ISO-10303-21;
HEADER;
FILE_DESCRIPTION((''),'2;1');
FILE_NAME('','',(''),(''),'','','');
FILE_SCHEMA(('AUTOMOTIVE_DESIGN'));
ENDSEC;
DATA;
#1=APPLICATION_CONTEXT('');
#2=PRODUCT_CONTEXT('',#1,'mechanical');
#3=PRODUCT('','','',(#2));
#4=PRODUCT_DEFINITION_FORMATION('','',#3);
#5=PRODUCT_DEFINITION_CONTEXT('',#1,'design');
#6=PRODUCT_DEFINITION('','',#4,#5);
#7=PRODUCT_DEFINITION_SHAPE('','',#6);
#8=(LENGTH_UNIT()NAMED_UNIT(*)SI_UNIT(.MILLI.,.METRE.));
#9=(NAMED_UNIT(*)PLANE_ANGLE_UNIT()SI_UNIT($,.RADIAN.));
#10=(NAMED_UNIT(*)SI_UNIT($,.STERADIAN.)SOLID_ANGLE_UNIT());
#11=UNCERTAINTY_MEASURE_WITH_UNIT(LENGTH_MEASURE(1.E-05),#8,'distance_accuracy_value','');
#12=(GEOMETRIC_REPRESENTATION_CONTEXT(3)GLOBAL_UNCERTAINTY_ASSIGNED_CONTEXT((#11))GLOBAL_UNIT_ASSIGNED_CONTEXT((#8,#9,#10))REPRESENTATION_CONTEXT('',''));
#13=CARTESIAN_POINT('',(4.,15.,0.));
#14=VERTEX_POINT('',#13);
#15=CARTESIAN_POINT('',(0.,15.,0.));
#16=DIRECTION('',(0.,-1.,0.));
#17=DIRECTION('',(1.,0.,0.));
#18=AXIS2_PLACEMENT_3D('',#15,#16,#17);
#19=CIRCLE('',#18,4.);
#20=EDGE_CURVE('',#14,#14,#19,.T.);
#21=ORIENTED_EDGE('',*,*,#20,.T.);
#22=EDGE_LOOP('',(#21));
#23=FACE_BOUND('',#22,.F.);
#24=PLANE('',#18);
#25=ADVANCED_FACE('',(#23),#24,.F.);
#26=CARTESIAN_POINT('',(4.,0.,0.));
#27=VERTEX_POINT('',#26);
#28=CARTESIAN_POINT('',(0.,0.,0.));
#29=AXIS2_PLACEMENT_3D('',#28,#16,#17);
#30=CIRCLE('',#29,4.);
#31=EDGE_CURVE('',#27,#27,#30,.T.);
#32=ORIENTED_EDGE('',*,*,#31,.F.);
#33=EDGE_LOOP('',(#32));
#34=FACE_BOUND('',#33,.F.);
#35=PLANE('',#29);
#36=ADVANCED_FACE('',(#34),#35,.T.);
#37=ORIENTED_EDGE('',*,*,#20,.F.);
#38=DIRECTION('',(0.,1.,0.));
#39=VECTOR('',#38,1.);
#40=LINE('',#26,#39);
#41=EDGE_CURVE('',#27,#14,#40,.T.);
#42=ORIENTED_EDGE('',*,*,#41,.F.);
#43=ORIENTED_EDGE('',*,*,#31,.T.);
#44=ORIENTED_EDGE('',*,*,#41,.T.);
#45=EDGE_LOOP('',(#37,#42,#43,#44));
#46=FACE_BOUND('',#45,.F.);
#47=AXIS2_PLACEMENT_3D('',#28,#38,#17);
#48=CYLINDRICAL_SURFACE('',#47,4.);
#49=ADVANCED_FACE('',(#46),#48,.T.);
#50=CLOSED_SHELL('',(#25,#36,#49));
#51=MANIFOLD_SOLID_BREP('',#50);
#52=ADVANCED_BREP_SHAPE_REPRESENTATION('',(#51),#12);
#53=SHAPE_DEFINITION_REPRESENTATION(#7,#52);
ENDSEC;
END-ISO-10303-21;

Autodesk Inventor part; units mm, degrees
ref_plane "YZ Plane" through (0, 0, 0) normal (1, 0, 0) x (0, 1, 0)
ref_plane "XZ Plane" through (0, 0, 0) normal (0, 1, 0) x (-1, 0, 0)
ref_plane "XY Plane" through (0, 0, 0) normal (0, 0, 1) x (1, 0, 0)
sketch "Sketch1" plane through (0, 0, 0) normal (0, 0, 1) x (1, 0, 0)
  line L0 (0, 0) -> (4, 0)
  line L1 (4, 0) -> (4, 15)
  line L2 (4, 15) -> (0, 15)
  line L3 (0, 15) -> (0, 0)
  dimension "d0" = 8
  dimension "d1" = 15
revolve "Revolution1" add sketch "Sketch1" angle 360 about axis through (0, 15, 0) along (0, -1, 0)
thread "Thread1" size "M8x1.25" class "6g" standard "ANSI Metric M Profile" length 5
thread "Thread2" size "M8x1.25" class "6g" standard "ANSI Metric M Profile" length 5
properties part number "Load cell support rods"
